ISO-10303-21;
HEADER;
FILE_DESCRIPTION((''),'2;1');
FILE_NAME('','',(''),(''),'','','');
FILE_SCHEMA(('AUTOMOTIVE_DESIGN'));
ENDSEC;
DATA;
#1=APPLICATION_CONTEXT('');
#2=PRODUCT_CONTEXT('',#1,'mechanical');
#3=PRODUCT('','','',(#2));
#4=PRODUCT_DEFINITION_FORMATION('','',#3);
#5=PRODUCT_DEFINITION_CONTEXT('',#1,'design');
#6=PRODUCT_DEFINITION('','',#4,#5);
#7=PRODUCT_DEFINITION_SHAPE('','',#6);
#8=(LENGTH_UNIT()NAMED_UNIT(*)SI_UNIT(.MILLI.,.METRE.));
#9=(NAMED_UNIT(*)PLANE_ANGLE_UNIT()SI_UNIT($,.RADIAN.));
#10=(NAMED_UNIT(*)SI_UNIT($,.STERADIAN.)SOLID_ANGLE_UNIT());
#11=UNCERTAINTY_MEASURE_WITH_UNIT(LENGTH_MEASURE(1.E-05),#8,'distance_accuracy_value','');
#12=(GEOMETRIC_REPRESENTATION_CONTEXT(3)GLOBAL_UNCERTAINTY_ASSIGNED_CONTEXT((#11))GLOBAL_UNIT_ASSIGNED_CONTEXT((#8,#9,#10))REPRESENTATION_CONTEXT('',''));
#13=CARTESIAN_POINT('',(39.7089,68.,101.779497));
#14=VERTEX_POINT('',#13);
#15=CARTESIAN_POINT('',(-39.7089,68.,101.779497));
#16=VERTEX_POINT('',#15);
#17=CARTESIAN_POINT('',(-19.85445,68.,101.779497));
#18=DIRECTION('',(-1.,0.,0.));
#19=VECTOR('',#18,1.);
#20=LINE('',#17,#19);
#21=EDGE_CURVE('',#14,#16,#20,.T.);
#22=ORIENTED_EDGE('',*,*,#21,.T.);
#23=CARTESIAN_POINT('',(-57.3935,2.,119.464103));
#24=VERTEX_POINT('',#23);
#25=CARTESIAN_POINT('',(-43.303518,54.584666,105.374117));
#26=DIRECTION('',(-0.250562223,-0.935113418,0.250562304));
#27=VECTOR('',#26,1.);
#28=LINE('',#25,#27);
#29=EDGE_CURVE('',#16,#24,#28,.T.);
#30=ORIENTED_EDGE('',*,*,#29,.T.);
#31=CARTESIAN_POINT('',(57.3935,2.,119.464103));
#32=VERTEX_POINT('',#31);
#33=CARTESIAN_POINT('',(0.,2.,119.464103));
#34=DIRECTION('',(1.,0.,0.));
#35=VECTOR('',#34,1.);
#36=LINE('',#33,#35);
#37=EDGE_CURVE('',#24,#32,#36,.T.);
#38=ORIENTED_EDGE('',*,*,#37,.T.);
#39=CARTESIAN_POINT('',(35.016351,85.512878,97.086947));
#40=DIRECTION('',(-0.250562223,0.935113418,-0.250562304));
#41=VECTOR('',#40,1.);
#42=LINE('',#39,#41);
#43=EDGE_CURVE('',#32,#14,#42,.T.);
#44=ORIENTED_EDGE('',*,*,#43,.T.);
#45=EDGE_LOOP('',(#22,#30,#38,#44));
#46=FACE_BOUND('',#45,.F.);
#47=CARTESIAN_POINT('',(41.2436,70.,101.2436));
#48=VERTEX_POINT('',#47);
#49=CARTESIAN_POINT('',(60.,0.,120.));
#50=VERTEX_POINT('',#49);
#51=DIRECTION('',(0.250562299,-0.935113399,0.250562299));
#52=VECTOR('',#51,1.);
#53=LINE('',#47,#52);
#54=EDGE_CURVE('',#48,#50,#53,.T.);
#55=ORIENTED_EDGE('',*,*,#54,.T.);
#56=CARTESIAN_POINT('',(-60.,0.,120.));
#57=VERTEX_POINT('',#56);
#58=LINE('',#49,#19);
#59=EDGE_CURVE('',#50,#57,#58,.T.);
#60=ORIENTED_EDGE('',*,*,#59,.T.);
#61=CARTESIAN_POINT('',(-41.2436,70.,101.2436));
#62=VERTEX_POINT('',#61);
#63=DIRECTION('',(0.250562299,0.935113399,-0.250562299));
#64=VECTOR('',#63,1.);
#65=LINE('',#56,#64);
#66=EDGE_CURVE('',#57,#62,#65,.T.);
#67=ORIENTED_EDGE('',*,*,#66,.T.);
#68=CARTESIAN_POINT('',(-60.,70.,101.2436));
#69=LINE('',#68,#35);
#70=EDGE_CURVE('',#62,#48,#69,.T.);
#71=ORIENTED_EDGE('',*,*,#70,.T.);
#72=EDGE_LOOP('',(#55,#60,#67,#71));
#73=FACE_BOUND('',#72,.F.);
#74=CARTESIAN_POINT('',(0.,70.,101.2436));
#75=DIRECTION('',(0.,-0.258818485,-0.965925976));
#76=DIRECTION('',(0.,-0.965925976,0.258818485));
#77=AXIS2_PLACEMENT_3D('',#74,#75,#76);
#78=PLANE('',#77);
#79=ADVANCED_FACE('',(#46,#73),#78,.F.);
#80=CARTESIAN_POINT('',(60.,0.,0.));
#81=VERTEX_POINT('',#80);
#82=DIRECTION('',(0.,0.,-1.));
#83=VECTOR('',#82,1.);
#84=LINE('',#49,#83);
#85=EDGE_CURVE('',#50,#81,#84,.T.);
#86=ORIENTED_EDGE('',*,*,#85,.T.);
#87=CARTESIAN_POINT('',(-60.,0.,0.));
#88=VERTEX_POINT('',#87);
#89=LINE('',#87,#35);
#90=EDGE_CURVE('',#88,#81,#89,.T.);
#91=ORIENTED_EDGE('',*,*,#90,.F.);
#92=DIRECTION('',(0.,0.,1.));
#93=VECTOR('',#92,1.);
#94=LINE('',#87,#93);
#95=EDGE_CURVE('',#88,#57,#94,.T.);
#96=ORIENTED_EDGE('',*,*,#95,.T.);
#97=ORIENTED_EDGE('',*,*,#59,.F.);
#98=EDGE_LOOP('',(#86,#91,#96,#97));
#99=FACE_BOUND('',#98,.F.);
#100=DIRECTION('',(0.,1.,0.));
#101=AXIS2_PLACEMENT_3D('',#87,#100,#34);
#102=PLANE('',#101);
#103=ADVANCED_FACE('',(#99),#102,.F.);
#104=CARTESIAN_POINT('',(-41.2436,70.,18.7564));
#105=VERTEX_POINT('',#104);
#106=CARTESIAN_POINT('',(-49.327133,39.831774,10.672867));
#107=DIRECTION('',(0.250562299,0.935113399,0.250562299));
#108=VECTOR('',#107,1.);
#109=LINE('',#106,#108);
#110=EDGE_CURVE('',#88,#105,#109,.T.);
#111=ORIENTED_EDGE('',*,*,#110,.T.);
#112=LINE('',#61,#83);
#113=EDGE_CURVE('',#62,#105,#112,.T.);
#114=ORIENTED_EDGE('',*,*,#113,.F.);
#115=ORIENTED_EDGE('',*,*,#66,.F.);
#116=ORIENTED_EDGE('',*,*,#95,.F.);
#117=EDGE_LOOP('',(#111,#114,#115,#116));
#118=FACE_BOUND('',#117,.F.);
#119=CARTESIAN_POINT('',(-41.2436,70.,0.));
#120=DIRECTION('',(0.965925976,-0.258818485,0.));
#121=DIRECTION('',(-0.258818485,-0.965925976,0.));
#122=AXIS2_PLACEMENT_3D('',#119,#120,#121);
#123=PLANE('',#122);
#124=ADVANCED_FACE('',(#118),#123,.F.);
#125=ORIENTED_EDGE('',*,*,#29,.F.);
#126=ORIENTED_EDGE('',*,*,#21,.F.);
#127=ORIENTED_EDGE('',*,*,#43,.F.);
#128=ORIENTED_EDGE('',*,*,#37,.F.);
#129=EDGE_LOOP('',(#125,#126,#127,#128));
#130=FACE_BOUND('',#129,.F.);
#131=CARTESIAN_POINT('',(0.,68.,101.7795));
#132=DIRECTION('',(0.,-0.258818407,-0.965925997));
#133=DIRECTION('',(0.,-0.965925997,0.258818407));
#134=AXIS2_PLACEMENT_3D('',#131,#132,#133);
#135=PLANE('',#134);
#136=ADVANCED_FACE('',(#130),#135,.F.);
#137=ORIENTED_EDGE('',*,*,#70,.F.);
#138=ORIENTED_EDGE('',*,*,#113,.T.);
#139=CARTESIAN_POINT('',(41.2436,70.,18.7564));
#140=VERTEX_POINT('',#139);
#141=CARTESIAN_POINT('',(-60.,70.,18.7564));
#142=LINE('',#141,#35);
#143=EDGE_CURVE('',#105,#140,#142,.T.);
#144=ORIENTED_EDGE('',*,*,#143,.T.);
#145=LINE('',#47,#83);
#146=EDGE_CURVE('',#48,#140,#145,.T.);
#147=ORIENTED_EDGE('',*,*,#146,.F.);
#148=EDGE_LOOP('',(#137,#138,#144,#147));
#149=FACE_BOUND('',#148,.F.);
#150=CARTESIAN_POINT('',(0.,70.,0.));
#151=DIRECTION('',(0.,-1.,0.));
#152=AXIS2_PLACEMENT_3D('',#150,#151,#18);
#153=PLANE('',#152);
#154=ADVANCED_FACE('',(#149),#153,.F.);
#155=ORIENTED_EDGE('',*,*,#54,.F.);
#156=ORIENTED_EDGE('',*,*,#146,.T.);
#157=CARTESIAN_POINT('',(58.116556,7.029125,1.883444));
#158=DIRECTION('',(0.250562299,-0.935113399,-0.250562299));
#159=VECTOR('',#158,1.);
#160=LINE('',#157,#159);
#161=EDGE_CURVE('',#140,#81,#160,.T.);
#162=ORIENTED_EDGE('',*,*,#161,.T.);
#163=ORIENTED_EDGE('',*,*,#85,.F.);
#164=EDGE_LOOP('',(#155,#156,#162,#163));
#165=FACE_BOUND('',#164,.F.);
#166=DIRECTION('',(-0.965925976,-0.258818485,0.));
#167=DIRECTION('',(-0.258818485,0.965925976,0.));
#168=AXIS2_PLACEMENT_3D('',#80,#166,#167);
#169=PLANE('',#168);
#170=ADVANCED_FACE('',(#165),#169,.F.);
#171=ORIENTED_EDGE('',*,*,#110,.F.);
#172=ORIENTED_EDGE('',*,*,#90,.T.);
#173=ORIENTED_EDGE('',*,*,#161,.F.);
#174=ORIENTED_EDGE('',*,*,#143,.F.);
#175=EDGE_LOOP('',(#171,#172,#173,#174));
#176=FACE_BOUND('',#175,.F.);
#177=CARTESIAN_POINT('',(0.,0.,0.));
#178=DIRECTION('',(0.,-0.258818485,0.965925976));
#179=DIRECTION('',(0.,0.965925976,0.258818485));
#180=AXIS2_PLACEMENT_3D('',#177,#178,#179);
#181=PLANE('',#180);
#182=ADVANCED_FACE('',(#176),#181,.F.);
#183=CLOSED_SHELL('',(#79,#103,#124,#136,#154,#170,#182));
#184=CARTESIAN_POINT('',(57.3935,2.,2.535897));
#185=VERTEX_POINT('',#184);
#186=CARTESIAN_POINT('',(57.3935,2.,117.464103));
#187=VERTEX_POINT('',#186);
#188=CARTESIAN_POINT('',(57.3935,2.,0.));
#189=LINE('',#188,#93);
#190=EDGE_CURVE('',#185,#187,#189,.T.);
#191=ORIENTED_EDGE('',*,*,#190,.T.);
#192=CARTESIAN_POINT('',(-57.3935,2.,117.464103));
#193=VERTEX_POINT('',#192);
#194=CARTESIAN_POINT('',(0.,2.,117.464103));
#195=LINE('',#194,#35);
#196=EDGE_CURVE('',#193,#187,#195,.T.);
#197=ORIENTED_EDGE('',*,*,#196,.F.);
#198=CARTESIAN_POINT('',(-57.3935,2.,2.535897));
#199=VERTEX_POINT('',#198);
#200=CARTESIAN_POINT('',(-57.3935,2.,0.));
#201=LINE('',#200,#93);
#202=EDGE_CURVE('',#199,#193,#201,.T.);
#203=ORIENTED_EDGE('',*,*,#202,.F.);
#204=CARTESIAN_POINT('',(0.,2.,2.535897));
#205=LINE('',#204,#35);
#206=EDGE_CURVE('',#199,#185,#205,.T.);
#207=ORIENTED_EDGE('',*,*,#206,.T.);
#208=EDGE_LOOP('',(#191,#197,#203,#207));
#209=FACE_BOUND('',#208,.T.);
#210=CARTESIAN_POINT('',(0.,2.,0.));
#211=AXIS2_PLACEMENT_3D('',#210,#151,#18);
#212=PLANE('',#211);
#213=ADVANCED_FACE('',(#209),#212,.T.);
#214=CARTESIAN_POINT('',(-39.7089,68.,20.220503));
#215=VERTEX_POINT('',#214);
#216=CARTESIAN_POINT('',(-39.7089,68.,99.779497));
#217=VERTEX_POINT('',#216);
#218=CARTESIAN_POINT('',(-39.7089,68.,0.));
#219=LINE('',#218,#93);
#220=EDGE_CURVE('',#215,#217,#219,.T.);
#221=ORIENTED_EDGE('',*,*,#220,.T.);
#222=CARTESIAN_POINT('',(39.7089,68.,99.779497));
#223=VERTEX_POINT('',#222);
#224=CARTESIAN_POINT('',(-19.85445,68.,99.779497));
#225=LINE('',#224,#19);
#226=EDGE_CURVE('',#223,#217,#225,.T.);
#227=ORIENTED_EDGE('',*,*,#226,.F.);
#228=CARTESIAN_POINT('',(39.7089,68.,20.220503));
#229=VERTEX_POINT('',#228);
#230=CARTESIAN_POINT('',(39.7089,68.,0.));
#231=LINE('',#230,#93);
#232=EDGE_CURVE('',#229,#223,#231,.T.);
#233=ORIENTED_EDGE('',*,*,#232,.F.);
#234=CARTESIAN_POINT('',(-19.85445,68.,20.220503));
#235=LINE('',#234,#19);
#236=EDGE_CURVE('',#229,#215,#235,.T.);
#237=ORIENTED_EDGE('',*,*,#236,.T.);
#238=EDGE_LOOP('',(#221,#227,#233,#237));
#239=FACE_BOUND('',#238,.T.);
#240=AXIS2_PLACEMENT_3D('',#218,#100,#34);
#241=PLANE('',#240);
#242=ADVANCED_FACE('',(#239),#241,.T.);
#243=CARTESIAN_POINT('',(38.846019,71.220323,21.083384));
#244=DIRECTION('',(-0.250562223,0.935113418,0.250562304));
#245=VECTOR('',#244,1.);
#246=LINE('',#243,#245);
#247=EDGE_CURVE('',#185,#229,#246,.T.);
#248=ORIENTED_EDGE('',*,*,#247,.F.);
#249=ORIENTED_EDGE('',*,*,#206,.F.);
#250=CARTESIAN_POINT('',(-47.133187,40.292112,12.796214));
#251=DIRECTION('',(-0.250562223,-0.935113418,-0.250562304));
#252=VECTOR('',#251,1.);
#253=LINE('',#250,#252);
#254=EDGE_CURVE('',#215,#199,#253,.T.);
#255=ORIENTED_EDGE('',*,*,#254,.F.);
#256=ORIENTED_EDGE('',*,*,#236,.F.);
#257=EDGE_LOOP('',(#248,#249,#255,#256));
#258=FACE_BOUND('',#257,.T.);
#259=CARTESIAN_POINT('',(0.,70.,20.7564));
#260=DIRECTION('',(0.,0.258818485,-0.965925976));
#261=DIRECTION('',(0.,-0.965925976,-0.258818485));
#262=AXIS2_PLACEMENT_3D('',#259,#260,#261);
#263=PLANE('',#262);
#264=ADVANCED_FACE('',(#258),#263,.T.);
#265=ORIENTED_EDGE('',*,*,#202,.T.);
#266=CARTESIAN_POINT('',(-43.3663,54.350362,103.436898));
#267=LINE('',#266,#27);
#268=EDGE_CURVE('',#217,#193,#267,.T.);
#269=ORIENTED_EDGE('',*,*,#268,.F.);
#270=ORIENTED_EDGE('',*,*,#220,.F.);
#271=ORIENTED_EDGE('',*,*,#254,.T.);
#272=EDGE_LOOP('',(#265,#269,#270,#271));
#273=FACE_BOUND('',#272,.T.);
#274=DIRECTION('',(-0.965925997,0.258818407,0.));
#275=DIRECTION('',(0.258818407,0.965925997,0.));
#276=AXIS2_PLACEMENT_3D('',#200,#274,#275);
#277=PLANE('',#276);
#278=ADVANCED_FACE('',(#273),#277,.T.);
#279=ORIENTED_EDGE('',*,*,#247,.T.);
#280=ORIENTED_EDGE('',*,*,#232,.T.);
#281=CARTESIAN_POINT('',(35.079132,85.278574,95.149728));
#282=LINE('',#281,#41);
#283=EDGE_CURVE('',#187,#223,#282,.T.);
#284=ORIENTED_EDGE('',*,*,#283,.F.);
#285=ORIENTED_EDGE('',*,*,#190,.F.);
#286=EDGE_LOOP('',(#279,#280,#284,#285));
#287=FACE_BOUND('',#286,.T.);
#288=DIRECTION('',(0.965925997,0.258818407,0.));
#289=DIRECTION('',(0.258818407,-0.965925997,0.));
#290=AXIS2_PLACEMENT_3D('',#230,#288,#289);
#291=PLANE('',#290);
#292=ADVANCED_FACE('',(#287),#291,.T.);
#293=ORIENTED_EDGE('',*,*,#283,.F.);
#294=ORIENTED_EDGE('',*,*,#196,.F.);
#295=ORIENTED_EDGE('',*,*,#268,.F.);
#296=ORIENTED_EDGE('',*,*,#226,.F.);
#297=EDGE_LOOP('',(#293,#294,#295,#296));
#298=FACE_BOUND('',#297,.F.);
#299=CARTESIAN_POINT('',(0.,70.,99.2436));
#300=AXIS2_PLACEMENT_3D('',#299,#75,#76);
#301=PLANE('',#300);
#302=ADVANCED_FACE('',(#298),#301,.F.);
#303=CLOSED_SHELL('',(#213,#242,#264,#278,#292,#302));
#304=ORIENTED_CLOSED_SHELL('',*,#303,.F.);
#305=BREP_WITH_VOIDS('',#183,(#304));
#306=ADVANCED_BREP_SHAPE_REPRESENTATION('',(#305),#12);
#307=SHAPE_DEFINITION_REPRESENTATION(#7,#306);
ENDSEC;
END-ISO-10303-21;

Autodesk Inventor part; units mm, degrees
ref_plane "YZ Plane" through (0, 0, 0) normal (1, 0, 0) x (0, 1, 0)
ref_plane "XZ Plane" through (0, 0, 0) normal (0, 1, 0) x (-1, 0, 0)
ref_plane "XY Plane" through (0, 0, 0) normal (0, 0, 1) x (1, 0, 0)
sketch "Эскиз1" plane through (0, 0, 0) normal (0, 0, 1) x (1, 0, 0)
  line L0 (-60, 0) -> (60, 0)
  line L1 (60, 0) -> (41.2436, 70)
  line L2 (41.2436, 70) -> (-41.2436, 70)
  line L3 (-41.2436, 70) -> (-60, 0)
  line L4 (0, 70) -> (0, 0)
  line L5 (-57.3935, 2) -> (-39.7089, 68)
  line L6 (-39.7089, 68) -> (39.7089, 68)
  line L7 (39.7089, 68) -> (57.3935, 2)
  line L8 (57.3935, 2) -> (-57.3935, 2)
  dimension "d0" = 70
  dimension "d1" = 120
  dimension "d2" = 75
  dimension "d8" = 2
  dimension "d9" = 2
  dimension "d10" = 2
  dimension "d11" = 2
  dimension "d12" = 0
extrude "Выдавливание1" add sketch "Эскиз1" along normal blind 120 contours L3 L2 L4 L6 L5 L8 L0 | L4 L8 L7 L6 L2 L1 L0
sketch "Эскиз2" plane through (0, 0, 0) normal (1, 0, 0) x (0, 1, 0)
  line L0 (0, 0) -> (0, 120) projected
  line L1 (0, 0) -> (70, 18.7564)
  line L2 (70, 0) -> (70, 120) projected
  line L3 (70, 18.7564) -> (70, 101.2436)
  line L4 (70, 0) -> (70, 120) projected
  line L5 (70, 120) -> (0, 120) projected
  line L6 (70, 101.2436) -> (0, 120)
  line L7 (0, 120) -> (0, 0)
  line L8 (70, 60) -> (0, 60)
  dimension "d5" = 75
extrude "Выдавливание2" cut sketch "Эскиз2" along normal mid plane 1000 contours L0 L8 L2 L1 | L0 L6 L2 L8 keep common part
sketch "Эскиз3" plane through (0, 0, 0) normal (1, 0, 0) x (0, 1, 0)
  line L0 (0, 0) -> (0, 120) projected
  line L1 (70, 18.7564) -> (70, 101.2436) projected
  line L2 (0, 0) -> (70, 18.7564)
  line L3 (70, 18.7564) -> (70, 20.7564)
  line L4 (70, 20.7564) -> (0, 2)
  line L5 (70, 18.7564) -> (0, 0) projected
  line L6 (0, 2) -> (0, 0)
  line L7 (0, 120) -> (70, 101.2436)
  line L8 (68, 101.7795) -> (2, 119.4641) projected
  line L9 (70, 101.2436) -> (70, 99.2436)
  line L10 (70, 99.2436) -> (0, 118)
  line L11 (0, 120) -> (0, 118)
  point P0 (0, 2)
  dimension "d13" = 2
  dimension "d14" = 2
extrude "Выдавливание3" add sketch "Эскиз3" along normal mid plane 120 contours L0 L4 L1 L2 | L0 L7 L1 L10
sketch "Эскиз4" plane through (0, 0, 0) normal (0, 0, 1) x (1, 0, 0)
  line L0 (60, 70) -> (60, 0) projected
  line L1 (60, 0) -> (41.2436, 70)
  line L2 (60, 70) -> (-60, 70) projected
  line L3 (-41.2436, 70) -> (-60, 0) projected
  line L4 (41.2436, 70) -> (-41.2436, 70)
  line L5 (-41.2436, 70) -> (-60, 0)
  line L6 (-60, 0) -> (60, 0) projected
  line L7 (-60, 0) -> (60, 0)
  line L8 (60, 0) -> (41.2436, 70) projected
  point P0 (0, 0)
  dimension "d19" = 0
extrude "Выдавливание4" cut sketch "Эскиз4" along normal blind 120 contours L6 L3 L2 L1 keep common part
